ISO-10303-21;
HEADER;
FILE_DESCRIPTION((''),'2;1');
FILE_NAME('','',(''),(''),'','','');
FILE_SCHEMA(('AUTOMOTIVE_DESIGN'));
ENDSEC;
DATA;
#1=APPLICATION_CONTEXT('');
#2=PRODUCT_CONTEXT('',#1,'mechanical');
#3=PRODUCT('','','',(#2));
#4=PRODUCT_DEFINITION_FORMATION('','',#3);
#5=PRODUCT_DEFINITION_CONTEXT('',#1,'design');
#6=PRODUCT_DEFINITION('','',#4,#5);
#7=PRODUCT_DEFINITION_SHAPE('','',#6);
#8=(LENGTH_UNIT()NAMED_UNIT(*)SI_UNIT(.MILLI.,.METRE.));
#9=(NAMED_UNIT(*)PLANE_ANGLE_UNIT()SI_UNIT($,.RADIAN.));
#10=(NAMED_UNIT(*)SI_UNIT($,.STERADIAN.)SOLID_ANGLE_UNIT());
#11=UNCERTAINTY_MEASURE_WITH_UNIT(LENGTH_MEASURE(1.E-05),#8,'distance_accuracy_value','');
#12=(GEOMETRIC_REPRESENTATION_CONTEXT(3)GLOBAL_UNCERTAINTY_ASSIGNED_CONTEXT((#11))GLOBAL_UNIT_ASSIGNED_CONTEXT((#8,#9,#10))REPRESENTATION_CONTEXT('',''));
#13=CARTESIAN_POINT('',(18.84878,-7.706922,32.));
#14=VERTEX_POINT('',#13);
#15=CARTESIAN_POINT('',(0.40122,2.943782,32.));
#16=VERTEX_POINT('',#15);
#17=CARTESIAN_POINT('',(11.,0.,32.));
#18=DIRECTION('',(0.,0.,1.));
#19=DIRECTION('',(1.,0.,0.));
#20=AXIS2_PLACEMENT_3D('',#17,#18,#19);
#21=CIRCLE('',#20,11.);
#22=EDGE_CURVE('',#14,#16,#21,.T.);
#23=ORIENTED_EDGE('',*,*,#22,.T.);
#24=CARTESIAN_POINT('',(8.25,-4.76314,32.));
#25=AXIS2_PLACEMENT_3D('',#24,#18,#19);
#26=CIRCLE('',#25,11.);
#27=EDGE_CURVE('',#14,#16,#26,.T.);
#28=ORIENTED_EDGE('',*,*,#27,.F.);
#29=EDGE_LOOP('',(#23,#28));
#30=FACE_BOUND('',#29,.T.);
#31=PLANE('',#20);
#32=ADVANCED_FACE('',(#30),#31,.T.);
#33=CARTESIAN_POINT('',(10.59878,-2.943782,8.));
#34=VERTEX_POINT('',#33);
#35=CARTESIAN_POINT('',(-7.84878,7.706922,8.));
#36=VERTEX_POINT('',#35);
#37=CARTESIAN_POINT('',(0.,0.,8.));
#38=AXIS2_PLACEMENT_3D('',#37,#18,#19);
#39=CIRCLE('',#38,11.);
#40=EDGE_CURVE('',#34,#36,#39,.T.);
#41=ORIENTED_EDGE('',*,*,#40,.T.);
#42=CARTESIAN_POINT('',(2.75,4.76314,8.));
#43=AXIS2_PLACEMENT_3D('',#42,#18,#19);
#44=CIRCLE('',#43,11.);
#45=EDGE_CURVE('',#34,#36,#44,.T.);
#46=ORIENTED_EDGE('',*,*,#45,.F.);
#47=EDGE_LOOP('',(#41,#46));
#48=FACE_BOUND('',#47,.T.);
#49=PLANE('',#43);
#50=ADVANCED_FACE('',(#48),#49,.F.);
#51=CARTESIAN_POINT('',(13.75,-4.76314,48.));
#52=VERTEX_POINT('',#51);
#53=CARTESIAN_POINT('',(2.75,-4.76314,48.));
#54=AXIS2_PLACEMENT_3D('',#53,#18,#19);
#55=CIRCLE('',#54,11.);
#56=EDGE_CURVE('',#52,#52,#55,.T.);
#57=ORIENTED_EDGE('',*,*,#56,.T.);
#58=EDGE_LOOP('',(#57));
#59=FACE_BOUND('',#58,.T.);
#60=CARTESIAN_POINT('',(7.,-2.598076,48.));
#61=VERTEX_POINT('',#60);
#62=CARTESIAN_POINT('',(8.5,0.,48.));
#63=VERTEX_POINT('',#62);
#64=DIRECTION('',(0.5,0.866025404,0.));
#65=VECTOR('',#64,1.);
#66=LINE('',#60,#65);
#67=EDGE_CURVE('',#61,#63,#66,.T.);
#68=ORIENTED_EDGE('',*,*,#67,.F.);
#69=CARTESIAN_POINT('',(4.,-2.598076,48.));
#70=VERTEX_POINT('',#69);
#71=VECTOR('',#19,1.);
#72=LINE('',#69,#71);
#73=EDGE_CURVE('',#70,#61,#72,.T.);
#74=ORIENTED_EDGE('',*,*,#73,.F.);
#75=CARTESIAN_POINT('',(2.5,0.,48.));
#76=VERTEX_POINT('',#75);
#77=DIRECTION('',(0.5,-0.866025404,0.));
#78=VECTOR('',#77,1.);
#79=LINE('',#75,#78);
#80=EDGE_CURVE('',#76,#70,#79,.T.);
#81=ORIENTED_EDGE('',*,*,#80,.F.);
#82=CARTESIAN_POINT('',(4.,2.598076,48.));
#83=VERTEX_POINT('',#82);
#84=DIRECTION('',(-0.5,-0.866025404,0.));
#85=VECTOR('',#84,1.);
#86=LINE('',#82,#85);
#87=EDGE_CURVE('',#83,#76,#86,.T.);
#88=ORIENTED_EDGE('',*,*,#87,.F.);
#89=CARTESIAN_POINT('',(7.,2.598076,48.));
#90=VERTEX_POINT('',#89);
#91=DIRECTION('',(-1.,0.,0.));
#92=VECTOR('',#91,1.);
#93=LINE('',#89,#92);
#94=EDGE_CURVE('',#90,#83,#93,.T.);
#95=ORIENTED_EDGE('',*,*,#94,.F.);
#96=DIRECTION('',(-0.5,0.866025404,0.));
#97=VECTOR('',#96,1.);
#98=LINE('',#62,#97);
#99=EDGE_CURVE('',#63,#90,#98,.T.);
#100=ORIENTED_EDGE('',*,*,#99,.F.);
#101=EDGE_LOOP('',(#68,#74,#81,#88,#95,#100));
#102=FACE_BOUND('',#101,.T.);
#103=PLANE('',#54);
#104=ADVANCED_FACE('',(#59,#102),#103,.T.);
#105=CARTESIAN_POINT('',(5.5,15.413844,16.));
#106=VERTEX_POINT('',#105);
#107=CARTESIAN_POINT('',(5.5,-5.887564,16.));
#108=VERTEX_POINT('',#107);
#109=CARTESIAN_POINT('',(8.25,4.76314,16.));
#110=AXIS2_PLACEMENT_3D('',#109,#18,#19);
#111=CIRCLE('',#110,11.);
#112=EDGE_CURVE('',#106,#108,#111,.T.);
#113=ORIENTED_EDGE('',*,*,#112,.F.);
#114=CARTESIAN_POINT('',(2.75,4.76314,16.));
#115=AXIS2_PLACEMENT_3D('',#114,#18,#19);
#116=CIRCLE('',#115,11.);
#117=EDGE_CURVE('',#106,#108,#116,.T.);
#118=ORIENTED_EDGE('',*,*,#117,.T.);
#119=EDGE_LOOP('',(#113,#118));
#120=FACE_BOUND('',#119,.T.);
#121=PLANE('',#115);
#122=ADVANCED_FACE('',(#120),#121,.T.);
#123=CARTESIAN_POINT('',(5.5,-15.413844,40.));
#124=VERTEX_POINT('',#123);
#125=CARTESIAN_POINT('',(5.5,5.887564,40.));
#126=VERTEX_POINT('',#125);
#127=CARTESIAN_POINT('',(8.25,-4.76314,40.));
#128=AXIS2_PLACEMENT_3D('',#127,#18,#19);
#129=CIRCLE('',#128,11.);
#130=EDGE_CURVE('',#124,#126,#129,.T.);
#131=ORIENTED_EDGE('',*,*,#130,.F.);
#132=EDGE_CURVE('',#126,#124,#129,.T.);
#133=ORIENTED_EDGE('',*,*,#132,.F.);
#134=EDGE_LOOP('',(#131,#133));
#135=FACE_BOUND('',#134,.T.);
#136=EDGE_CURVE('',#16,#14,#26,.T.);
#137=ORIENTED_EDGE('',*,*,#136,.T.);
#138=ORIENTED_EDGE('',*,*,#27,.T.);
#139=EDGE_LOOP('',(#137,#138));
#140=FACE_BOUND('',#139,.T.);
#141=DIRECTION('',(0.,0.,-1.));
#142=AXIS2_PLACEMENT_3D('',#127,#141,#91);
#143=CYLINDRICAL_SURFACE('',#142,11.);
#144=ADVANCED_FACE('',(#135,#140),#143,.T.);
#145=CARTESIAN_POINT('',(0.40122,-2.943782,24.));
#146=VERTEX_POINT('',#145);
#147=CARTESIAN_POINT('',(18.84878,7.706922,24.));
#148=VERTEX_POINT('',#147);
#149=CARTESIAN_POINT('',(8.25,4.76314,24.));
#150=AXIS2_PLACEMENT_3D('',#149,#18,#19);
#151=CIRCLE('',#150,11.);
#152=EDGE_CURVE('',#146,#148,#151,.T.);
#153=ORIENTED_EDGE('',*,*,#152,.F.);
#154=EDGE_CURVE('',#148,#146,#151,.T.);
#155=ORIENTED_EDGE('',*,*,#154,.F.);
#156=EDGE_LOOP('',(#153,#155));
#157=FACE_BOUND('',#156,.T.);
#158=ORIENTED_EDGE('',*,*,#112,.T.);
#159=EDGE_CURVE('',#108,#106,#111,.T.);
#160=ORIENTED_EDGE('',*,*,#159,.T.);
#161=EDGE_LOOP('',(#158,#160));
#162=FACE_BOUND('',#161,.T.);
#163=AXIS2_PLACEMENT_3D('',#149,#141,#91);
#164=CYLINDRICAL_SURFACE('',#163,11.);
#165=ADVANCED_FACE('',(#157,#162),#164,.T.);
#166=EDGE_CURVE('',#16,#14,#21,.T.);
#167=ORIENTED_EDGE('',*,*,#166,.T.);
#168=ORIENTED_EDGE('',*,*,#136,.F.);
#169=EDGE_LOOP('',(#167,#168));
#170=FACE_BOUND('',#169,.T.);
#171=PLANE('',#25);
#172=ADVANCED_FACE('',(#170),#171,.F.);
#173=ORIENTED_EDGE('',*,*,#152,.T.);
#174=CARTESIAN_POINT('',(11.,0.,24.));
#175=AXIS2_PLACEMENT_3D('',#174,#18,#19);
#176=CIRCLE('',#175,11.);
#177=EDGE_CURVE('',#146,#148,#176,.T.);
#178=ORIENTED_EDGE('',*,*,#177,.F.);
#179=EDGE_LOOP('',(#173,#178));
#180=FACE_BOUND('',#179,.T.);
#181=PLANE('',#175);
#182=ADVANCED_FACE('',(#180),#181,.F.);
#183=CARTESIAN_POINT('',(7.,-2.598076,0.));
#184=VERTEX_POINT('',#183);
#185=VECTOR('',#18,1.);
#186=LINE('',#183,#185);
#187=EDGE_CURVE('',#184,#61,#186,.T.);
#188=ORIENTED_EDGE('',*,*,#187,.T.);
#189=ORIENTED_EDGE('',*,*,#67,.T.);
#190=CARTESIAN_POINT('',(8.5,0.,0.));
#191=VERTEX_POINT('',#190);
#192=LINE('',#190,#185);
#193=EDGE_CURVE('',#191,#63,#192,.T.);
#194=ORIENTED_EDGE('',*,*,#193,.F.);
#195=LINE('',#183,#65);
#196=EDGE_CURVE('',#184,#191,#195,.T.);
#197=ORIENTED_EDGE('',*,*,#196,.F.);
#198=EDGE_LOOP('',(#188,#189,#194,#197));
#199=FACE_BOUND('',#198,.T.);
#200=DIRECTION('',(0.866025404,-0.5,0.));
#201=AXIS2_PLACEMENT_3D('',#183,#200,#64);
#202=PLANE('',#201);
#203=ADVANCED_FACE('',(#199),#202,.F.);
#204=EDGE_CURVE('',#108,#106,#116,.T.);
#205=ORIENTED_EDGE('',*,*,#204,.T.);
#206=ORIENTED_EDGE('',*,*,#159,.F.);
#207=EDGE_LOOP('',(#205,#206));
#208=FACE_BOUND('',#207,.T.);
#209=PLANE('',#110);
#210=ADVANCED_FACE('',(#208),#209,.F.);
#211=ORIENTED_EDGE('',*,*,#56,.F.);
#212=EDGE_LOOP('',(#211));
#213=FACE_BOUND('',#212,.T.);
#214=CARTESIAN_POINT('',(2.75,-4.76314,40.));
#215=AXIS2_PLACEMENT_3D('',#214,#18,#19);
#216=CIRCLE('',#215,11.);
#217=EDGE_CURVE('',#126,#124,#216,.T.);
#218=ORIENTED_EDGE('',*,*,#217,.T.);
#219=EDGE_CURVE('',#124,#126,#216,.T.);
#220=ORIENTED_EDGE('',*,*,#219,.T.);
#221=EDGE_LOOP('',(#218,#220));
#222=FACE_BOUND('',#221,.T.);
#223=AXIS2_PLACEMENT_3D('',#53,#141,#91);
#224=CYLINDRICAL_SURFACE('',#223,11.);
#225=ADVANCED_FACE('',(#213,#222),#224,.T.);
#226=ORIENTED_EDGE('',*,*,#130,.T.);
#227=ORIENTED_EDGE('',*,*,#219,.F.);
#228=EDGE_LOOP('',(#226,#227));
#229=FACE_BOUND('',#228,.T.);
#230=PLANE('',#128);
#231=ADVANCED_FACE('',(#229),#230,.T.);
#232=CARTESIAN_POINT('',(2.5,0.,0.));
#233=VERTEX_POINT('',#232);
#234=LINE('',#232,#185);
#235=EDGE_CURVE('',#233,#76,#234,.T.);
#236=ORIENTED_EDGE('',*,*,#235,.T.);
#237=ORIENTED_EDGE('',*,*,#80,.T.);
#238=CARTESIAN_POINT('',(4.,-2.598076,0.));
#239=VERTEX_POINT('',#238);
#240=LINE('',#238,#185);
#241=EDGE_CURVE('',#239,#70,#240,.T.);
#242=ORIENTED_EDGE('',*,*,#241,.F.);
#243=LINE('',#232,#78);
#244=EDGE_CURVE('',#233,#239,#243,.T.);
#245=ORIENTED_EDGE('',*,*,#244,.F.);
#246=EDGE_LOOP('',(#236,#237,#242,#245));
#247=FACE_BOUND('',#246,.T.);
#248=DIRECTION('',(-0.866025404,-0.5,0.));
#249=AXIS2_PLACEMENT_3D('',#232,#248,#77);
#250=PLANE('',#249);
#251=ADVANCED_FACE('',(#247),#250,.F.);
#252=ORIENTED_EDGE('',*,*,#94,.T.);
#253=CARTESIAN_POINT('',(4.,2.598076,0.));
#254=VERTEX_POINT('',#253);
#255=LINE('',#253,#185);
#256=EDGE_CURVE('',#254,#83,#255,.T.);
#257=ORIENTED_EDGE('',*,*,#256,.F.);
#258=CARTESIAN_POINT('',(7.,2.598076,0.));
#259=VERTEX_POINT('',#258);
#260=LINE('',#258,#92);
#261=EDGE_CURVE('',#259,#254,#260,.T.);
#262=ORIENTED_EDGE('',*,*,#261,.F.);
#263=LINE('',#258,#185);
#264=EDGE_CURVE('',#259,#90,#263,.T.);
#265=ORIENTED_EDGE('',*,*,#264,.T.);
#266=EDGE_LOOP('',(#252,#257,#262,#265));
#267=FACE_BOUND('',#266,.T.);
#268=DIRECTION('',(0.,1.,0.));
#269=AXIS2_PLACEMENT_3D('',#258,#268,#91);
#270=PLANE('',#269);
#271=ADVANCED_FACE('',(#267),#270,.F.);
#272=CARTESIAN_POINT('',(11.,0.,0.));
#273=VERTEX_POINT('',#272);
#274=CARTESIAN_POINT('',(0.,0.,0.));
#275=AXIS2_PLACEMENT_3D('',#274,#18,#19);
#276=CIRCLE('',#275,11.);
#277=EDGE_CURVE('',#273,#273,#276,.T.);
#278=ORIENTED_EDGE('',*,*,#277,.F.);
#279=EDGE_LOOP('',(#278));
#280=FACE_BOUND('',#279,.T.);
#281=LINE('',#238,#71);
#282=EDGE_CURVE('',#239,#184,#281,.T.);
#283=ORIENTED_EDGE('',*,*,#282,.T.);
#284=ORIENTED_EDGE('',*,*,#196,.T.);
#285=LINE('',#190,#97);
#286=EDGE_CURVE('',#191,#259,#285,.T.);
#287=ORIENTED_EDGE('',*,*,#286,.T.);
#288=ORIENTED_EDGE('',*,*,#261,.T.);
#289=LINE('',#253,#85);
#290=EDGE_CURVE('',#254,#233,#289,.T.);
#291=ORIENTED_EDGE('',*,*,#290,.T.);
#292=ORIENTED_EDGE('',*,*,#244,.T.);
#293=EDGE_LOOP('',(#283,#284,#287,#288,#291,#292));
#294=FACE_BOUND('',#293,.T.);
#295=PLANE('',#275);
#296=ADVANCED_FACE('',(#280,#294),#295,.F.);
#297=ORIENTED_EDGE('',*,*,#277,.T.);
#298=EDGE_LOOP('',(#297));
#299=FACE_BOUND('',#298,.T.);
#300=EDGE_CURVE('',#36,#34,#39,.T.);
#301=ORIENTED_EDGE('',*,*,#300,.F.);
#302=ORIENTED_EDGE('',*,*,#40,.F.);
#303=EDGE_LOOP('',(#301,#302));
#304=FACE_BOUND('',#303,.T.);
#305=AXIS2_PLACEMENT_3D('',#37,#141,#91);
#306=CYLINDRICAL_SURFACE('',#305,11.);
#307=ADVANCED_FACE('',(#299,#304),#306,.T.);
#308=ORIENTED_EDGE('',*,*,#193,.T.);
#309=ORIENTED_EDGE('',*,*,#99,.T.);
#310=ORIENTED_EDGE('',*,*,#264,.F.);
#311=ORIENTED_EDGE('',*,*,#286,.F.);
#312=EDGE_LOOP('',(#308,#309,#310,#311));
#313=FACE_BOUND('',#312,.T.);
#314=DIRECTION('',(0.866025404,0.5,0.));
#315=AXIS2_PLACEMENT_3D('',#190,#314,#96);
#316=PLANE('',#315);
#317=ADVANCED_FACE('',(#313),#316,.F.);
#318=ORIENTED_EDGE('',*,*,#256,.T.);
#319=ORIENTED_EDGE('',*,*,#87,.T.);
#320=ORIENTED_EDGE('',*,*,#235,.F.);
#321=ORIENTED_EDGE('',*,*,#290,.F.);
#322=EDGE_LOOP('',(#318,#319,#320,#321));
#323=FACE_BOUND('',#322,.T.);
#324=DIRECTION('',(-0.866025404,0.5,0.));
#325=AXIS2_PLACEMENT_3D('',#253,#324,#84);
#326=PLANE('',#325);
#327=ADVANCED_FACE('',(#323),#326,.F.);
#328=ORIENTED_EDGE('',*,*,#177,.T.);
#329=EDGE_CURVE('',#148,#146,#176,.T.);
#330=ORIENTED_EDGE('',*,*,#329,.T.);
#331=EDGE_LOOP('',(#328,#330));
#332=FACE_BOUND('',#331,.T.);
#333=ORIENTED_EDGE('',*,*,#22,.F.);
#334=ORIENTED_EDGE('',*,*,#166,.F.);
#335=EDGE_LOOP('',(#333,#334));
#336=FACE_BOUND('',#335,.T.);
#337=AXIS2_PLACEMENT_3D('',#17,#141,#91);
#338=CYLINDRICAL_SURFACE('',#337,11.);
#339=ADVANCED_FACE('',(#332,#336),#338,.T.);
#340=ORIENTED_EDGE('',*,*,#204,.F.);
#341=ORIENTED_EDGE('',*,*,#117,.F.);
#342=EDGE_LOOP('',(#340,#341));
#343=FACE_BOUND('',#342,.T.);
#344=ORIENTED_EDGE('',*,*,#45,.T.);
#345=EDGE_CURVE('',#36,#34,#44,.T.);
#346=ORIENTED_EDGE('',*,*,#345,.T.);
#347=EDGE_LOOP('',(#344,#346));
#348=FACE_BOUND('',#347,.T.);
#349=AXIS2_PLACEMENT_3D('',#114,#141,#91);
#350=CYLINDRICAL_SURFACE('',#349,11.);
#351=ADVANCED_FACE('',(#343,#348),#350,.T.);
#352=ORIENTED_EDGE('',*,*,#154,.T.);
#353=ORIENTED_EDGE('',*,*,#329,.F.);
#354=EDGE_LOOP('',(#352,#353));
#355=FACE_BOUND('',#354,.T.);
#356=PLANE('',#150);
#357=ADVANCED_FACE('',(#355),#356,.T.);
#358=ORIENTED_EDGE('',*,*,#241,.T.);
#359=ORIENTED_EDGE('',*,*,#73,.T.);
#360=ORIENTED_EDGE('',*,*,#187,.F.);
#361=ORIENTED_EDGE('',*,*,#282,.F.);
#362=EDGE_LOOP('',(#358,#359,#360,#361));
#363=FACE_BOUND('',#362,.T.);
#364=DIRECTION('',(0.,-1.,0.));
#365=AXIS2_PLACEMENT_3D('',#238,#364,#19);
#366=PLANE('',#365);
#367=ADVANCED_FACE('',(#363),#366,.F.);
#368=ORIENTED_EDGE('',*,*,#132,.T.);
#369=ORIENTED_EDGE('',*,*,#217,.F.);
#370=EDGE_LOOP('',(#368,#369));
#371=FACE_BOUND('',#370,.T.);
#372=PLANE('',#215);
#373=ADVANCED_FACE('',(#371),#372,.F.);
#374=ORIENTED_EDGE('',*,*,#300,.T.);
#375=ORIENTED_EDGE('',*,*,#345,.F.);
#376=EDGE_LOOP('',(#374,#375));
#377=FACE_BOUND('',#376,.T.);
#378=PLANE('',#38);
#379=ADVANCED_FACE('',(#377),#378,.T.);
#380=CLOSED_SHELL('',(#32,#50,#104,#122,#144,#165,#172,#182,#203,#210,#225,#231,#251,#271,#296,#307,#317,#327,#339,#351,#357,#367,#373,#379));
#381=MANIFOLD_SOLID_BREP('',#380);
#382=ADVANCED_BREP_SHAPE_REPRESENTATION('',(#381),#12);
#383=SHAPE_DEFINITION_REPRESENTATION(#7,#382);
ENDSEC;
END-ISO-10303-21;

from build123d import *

# Parameters (mm, degrees)
SKETCH1_R           = 11
BOSS_EXTRUDE1_DEPTH = 8
SKETCH3_R           = 11
BOSS_EXTRUDE2_DEPTH = 8
SKETCH4_R           = 11
BOSS_EXTRUDE4_DEPTH = 8
SKETCH5_R           = 11
BOSS_EXTRUDE5_DEPTH = 8
SKETCH6_R           = 11
BOSS_EXTRUDE6_DEPTH = 8
SKETCH8_R           = 11
BOSS_EXTRUDE7_DEPTH = 8
CUT_EXTRUDE1_DEPTH  = 48


with BuildPart() as part:
    # Sketch1 → Boss-Extrude1 (new body)
    with BuildSketch(Plane.XY):
        Circle(SKETCH1_R)
    extrude(amount=BOSS_EXTRUDE1_DEPTH)

    # Sketch3 → Boss-Extrude2 (add)
    with BuildSketch(Plane.XY.offset(8)):
        with Locations(Location((2.75, 4.763139721, 0), (0, 0, 164.477512186))):
            Circle(SKETCH3_R)
    extrude(amount=BOSS_EXTRUDE2_DEPTH)

    # Sketch4 → Boss-Extrude4 (add)
    with BuildSketch(Plane.XY.offset(16)):
        with Locations(Location((8.25, 4.763139721, 0), (0, 0, 255.522487814))):
            Circle(SKETCH4_R)
    extrude(amount=BOSS_EXTRUDE4_DEPTH)

    # Sketch5 → Boss-Extrude5 (add)
    with BuildSketch(Plane.XY.offset(24)):
        with Locations(Location((11, 0, 0), (0, 0, 195.522487814))):
            Circle(SKETCH5_R)
    extrude(amount=BOSS_EXTRUDE5_DEPTH)

    # Sketch6 → Boss-Extrude6 (add)
    with BuildSketch(Plane.XY.offset(32)):
        with Locations(Location((8.25, -4.763139721, 0), (0, 0, 135.522487814))):
            Circle(SKETCH6_R)
    extrude(amount=BOSS_EXTRUDE6_DEPTH)

    # Sketch8 → Boss-Extrude7 (add)
    with BuildSketch(Plane.XY.offset(40)):
        with Locations(Location((2.75, -4.763139721, 0), (0, 0, 284.477512186))):
            Circle(SKETCH8_R)
    extrude(amount=BOSS_EXTRUDE7_DEPTH)

    # Sketch9 → Cut-Extrude1 (cut)
    with BuildSketch(Plane.XY.offset(48)):
        Polygon((8.5, 0), (7, 2.598076211), (4, 2.598076211), (2.5, 0), (4, -2.598076211), (7, -2.598076211), align=None)
    extrude(amount=-CUT_EXTRUDE1_DEPTH, mode=Mode.SUBTRACT)


solid = part.part
